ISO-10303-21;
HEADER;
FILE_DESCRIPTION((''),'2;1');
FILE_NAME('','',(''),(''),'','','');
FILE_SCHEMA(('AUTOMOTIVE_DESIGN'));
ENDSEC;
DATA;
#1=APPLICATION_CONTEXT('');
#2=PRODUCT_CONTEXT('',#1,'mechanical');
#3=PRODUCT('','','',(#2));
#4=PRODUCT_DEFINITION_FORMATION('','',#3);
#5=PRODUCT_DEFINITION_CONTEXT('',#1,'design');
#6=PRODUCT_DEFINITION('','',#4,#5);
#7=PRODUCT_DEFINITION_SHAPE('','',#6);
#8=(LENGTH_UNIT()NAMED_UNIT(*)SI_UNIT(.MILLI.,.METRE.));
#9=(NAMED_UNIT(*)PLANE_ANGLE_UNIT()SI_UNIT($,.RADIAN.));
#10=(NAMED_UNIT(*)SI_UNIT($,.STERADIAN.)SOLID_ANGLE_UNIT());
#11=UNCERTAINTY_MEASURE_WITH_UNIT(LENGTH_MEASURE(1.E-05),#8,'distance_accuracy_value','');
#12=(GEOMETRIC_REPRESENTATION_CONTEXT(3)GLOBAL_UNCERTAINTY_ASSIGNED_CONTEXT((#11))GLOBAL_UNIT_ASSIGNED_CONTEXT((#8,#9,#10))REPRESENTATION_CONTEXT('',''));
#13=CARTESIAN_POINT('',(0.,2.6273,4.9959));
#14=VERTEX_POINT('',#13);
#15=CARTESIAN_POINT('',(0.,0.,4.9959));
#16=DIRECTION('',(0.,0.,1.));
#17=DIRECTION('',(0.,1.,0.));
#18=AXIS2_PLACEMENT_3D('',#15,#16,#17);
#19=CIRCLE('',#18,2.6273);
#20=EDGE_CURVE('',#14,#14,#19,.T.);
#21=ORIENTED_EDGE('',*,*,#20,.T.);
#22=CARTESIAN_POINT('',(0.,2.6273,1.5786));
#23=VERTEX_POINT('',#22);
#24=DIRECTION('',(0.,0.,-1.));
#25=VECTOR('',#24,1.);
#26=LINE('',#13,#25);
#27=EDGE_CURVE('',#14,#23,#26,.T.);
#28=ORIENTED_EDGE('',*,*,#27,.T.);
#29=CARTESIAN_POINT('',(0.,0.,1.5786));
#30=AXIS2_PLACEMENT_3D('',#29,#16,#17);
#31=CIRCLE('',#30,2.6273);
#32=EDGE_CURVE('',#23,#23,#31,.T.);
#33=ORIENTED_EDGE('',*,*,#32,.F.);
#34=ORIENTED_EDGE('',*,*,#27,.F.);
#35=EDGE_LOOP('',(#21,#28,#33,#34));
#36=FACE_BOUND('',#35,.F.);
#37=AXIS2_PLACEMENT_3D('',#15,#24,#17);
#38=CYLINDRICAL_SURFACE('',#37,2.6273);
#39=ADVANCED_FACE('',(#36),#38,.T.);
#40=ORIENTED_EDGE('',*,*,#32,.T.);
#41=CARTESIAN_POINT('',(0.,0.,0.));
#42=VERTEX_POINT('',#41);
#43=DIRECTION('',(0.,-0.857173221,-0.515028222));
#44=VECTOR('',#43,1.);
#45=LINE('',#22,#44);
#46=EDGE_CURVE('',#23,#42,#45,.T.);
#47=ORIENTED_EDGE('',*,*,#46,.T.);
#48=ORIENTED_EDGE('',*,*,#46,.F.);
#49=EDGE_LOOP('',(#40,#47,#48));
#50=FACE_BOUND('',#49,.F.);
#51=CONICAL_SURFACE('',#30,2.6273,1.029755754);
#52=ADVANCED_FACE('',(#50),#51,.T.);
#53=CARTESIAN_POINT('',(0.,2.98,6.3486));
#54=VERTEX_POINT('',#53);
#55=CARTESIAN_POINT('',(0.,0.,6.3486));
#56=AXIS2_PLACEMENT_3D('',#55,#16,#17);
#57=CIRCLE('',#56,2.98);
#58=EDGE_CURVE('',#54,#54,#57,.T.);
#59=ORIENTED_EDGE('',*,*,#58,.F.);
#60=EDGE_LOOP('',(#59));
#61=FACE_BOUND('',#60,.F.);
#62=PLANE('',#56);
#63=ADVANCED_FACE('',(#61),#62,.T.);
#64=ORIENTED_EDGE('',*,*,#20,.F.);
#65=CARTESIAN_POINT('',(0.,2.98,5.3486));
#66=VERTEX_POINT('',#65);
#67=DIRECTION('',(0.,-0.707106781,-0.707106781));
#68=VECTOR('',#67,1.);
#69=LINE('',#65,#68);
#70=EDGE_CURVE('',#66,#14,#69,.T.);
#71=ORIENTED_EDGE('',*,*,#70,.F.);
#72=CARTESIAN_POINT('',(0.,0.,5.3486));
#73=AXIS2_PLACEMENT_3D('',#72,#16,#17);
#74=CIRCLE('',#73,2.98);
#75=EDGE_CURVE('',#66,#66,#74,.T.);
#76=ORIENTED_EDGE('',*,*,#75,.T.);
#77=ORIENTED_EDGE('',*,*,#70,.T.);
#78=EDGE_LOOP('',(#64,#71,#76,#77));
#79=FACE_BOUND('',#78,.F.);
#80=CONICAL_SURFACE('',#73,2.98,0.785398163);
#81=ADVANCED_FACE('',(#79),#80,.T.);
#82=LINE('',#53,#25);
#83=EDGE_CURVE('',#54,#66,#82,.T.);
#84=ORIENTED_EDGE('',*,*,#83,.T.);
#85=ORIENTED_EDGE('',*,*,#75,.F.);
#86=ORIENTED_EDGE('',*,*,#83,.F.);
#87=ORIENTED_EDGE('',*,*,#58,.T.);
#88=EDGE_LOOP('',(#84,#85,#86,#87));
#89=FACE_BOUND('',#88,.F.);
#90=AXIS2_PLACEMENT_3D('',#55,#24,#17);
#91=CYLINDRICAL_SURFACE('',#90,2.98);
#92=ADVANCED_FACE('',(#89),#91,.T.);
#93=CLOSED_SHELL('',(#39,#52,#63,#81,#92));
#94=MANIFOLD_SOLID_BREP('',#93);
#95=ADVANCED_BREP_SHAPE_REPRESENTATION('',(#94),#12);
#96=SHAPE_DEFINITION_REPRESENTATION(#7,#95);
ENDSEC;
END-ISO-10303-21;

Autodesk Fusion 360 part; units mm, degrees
sketch "Sketch1" plane through (0, 0, 0) normal (1, 0, 0) x (0, 1, 0)
  line L0 (0, 0) -> (0, 6.3486)
  line L1 (0, 6.3486) -> (2.98, 6.3486)
  line L2 (2.98, 6.3486) -> (2.98, 5.3486)
  line L3 (2.98, 5.3486) -> (2.6273, 4.9959)
  line L4 (2.6273, 4.9959) -> (2.6273, 1.5786)
  line L5 (2.6273, 1.5786) -> (0, 0)
  dimension "d1" = 59
  dimension "d2" = 5.2546
  dimension "d3" = 45
  dimension "d4" = 1
  dimension "d5" = 5.96
  dimension "d6" = 4.77
revolve "Revolve1" add sketch "Sketch1" angle 360 about axis through (0, 0, 0) along (0, 0, 1)
equation "d1 = ( 118 / 2 ) * 1 deg"
equation "d2 = ( 0.199 * 25.4 ) * 1 mm + 0.2 mm"
equation "d5 = 5.56 mm + 0.4 mm"
equation "d6 = 4.57 mm + 0.2 mm"
